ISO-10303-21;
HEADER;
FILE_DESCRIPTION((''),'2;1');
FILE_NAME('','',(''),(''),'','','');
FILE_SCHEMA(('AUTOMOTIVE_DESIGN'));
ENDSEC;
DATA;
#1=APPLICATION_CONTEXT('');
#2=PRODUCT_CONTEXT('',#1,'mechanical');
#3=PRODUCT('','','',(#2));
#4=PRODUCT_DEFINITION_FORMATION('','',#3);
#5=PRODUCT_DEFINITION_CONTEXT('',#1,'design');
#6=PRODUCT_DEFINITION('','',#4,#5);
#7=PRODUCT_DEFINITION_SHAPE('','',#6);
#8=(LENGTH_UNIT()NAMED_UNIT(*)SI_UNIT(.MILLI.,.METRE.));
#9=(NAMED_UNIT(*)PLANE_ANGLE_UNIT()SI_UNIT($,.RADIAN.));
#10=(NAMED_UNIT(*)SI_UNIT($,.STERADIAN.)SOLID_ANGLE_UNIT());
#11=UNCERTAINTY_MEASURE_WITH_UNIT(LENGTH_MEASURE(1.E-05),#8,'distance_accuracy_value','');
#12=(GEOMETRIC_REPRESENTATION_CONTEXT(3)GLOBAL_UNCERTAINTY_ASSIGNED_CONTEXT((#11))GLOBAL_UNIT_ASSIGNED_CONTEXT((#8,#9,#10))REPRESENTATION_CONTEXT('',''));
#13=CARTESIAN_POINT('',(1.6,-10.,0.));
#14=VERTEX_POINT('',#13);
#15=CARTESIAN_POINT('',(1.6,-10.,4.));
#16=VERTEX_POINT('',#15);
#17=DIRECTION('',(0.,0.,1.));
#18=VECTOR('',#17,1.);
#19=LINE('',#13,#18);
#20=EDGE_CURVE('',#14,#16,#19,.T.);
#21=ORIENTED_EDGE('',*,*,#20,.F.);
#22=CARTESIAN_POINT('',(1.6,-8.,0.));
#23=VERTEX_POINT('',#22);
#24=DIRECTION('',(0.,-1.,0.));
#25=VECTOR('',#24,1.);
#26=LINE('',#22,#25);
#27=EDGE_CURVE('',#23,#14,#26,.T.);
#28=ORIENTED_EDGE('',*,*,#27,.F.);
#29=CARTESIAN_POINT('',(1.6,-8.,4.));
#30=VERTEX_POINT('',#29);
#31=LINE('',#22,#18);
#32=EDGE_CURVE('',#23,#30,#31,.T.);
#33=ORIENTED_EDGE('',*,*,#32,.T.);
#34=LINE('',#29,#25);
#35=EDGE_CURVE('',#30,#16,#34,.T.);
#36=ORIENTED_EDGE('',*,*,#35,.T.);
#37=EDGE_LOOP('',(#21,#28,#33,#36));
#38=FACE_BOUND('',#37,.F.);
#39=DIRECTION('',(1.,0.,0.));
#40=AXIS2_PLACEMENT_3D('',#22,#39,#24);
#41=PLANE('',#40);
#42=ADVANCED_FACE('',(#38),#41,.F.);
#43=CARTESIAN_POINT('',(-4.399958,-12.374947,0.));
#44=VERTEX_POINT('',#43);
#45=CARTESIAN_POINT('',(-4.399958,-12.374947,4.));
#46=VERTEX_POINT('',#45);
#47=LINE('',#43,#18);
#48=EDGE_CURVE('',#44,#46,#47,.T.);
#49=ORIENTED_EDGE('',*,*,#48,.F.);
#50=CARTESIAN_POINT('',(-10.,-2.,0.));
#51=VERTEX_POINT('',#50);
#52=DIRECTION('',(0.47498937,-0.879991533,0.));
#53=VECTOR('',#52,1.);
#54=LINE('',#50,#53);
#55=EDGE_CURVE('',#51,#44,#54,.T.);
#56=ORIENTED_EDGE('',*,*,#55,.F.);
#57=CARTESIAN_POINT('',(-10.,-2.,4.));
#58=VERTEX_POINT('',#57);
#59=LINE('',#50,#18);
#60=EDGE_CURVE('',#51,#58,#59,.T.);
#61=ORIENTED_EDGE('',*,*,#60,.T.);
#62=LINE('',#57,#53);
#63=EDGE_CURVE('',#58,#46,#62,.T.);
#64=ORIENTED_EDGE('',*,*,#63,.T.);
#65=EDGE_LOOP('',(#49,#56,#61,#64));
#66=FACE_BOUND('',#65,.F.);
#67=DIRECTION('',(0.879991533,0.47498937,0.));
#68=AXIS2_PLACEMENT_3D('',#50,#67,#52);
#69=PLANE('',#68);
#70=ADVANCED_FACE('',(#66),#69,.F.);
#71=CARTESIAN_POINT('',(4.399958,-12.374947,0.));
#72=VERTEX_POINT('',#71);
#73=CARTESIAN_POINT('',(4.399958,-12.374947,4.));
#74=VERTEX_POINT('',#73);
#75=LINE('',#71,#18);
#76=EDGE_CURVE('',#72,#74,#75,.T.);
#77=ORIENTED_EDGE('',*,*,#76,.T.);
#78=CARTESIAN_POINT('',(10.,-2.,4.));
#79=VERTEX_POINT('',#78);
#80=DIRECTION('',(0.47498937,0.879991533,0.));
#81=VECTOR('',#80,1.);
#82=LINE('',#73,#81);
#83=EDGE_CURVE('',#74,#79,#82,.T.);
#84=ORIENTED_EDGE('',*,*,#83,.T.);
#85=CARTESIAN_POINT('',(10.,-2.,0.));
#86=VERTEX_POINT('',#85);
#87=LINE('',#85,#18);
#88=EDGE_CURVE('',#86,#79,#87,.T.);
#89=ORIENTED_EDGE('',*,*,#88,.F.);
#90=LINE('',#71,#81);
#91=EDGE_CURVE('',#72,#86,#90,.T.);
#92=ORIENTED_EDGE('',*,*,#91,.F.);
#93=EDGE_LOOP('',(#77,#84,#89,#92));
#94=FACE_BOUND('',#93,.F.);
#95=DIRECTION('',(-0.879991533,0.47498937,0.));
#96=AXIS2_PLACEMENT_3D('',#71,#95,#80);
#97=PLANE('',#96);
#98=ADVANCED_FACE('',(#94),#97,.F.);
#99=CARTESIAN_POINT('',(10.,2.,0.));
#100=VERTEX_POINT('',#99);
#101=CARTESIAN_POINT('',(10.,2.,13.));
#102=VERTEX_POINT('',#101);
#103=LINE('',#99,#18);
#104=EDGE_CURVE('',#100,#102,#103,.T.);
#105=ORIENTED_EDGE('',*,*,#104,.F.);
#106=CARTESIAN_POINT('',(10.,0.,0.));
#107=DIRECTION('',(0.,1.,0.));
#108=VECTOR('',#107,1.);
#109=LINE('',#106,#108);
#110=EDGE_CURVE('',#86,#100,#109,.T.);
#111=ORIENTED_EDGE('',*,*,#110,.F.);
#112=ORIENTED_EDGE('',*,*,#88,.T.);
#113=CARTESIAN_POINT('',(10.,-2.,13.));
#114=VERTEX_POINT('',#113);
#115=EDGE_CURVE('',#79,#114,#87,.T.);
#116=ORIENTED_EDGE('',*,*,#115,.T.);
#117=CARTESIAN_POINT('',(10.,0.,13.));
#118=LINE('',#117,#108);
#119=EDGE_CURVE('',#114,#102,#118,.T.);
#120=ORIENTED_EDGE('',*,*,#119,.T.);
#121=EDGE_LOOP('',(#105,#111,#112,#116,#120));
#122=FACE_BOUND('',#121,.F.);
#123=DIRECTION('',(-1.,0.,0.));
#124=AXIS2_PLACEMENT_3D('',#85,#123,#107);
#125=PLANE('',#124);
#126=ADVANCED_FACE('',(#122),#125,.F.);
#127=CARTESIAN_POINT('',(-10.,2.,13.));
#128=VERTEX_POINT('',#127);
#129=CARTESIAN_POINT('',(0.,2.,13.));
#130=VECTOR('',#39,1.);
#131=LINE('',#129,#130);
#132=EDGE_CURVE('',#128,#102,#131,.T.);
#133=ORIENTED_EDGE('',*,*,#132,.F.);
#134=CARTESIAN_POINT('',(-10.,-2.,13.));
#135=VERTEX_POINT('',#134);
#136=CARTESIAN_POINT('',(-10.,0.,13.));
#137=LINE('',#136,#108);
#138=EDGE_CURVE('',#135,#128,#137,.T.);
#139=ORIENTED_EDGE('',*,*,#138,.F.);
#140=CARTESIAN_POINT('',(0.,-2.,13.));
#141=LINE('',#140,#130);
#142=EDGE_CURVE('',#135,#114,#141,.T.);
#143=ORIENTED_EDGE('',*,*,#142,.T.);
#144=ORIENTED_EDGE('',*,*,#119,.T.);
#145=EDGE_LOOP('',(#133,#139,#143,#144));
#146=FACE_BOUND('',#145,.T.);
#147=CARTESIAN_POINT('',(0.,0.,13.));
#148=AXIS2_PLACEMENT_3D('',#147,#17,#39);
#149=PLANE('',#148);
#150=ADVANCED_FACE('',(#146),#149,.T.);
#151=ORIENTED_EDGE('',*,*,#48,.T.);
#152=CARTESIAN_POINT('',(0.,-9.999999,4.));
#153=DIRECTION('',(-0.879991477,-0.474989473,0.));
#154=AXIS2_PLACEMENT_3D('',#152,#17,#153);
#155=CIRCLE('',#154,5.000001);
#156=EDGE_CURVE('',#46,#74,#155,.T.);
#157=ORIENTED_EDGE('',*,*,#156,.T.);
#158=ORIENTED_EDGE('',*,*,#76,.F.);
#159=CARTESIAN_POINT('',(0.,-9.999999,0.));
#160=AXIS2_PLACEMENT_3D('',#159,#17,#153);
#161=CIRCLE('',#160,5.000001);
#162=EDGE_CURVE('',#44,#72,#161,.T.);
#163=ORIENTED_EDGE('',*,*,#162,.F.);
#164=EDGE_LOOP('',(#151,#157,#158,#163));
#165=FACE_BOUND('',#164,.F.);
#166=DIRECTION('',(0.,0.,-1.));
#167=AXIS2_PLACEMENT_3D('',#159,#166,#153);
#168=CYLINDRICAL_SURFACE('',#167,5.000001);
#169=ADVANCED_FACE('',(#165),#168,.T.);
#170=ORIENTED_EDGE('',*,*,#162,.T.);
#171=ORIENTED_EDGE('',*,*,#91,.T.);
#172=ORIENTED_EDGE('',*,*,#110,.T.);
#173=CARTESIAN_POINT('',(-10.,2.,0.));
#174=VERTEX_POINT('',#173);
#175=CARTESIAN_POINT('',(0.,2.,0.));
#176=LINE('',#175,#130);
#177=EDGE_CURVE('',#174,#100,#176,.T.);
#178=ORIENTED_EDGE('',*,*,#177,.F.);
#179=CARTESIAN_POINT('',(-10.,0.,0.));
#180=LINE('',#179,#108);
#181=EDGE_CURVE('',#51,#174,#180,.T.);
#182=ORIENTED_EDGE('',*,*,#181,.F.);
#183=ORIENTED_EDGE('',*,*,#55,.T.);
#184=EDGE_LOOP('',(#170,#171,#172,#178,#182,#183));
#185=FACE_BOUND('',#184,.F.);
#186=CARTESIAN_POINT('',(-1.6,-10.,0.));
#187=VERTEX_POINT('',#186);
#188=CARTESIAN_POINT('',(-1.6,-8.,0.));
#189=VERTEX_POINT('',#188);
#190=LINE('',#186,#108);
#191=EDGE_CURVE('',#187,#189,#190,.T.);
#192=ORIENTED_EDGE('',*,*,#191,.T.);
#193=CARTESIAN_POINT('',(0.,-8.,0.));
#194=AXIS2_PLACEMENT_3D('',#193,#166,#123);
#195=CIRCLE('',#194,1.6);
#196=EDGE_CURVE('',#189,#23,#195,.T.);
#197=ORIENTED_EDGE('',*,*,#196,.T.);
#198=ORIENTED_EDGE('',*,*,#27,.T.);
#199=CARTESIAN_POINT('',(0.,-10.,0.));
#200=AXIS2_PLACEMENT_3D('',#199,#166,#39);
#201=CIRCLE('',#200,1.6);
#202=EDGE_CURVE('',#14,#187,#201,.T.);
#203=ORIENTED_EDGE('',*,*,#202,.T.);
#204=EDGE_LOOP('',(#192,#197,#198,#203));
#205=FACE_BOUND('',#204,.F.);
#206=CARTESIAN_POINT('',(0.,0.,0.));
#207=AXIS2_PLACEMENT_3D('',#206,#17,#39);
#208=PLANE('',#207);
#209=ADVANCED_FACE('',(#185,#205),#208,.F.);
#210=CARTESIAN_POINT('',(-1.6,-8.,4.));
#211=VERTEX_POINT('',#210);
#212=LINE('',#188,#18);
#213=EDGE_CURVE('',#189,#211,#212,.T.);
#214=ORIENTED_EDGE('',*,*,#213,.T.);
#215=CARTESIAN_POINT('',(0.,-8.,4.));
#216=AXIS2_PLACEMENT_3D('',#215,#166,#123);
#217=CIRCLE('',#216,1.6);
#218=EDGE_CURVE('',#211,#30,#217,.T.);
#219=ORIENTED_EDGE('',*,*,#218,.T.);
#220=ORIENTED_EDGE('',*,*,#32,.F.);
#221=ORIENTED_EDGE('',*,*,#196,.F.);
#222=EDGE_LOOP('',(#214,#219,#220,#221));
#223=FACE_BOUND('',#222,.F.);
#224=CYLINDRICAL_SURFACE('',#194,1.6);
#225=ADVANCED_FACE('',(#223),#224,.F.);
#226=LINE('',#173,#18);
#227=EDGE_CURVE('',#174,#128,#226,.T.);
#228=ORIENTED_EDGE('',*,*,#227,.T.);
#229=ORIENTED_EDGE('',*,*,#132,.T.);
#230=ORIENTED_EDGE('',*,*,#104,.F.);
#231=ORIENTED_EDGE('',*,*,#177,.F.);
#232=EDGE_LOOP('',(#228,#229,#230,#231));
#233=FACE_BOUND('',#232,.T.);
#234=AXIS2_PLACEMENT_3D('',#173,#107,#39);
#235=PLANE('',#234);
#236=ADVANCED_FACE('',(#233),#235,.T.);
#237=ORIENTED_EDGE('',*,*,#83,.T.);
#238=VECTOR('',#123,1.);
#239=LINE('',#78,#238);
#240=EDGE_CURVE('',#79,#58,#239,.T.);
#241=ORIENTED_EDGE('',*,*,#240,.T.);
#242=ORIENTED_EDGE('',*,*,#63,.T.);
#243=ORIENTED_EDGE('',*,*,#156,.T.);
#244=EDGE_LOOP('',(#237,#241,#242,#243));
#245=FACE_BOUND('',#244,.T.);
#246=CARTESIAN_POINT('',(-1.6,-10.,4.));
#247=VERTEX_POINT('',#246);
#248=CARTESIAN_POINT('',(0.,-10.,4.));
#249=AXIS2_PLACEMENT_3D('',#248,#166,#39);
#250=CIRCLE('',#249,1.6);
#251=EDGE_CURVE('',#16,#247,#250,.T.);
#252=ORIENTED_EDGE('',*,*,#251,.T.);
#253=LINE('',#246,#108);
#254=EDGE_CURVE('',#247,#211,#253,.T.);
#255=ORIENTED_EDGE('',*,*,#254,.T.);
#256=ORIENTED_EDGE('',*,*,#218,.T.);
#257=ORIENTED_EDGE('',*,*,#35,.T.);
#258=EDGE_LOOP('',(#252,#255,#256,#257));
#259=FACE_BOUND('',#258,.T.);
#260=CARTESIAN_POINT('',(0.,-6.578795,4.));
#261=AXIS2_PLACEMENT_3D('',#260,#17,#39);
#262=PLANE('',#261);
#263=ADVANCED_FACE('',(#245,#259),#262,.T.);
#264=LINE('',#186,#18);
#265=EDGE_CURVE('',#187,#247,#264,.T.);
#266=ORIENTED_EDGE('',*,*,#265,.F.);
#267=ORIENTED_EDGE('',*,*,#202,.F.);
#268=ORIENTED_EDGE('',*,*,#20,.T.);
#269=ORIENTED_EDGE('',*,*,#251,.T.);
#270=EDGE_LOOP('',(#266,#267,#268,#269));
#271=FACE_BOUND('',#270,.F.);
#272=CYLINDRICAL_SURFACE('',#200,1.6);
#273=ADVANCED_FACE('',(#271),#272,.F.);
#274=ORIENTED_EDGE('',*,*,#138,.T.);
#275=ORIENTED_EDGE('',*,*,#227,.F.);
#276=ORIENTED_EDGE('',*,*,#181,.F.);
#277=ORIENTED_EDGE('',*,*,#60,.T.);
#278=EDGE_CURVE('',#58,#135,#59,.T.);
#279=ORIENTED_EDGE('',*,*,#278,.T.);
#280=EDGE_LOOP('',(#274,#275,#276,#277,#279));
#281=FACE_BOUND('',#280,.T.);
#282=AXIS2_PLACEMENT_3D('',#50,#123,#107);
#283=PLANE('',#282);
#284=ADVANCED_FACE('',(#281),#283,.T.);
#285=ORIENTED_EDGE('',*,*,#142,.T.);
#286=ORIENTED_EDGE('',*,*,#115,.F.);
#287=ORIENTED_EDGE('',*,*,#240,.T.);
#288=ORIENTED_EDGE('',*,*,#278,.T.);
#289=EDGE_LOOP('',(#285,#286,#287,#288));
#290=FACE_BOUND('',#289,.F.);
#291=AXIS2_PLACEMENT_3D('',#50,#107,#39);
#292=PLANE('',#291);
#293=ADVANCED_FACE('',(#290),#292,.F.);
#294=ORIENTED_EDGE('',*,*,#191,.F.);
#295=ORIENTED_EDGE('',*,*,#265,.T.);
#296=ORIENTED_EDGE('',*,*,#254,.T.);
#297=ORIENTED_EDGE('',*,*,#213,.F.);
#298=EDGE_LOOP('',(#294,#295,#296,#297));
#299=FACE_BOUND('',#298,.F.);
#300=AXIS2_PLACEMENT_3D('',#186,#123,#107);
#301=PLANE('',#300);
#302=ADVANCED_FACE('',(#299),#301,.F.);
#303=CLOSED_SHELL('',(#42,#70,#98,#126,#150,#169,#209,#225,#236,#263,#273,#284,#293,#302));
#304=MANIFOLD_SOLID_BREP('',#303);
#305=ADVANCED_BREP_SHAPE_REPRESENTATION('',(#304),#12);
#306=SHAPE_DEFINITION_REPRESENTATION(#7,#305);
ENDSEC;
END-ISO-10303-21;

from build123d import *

# Parameters (mm, degrees)
F1_DEPTH = 4
F0_W     = 20
F0_H     = 4
F2_DEPTH = 13


with BuildPart() as f1:
    # F0 (on Top) → F1 (new body)
    with BuildSketch(Plane.XY):
        with BuildLine():
            Line((4.399958, -12.374947), (10, -2))
            Line((10, -2), (-10, -2))
            Line((-10, -2), (-4.399958, -12.374947))
            ThreePointArc((-4.399958, -12.374947), (0, -15), (4.399958, -12.374947))
        make_face()
        with BuildLine():
            Line((-1.6, -10), (-1.6, -8))
            ThreePointArc((-1.6, -8), (0, -6.4), (1.6, -8))
            Line((1.6, -8), (1.6, -10))
            ThreePointArc((1.6, -10), (0, -11.6), (-1.6, -10))
        make_face(mode=Mode.SUBTRACT)
    extrude(amount=F1_DEPTH)

    # F0 (on Top) → F2 (join)
    with BuildSketch(Plane.XY):
        Rectangle(F0_W, F0_H)
    extrude(amount=F2_DEPTH)


solid = f1.part
